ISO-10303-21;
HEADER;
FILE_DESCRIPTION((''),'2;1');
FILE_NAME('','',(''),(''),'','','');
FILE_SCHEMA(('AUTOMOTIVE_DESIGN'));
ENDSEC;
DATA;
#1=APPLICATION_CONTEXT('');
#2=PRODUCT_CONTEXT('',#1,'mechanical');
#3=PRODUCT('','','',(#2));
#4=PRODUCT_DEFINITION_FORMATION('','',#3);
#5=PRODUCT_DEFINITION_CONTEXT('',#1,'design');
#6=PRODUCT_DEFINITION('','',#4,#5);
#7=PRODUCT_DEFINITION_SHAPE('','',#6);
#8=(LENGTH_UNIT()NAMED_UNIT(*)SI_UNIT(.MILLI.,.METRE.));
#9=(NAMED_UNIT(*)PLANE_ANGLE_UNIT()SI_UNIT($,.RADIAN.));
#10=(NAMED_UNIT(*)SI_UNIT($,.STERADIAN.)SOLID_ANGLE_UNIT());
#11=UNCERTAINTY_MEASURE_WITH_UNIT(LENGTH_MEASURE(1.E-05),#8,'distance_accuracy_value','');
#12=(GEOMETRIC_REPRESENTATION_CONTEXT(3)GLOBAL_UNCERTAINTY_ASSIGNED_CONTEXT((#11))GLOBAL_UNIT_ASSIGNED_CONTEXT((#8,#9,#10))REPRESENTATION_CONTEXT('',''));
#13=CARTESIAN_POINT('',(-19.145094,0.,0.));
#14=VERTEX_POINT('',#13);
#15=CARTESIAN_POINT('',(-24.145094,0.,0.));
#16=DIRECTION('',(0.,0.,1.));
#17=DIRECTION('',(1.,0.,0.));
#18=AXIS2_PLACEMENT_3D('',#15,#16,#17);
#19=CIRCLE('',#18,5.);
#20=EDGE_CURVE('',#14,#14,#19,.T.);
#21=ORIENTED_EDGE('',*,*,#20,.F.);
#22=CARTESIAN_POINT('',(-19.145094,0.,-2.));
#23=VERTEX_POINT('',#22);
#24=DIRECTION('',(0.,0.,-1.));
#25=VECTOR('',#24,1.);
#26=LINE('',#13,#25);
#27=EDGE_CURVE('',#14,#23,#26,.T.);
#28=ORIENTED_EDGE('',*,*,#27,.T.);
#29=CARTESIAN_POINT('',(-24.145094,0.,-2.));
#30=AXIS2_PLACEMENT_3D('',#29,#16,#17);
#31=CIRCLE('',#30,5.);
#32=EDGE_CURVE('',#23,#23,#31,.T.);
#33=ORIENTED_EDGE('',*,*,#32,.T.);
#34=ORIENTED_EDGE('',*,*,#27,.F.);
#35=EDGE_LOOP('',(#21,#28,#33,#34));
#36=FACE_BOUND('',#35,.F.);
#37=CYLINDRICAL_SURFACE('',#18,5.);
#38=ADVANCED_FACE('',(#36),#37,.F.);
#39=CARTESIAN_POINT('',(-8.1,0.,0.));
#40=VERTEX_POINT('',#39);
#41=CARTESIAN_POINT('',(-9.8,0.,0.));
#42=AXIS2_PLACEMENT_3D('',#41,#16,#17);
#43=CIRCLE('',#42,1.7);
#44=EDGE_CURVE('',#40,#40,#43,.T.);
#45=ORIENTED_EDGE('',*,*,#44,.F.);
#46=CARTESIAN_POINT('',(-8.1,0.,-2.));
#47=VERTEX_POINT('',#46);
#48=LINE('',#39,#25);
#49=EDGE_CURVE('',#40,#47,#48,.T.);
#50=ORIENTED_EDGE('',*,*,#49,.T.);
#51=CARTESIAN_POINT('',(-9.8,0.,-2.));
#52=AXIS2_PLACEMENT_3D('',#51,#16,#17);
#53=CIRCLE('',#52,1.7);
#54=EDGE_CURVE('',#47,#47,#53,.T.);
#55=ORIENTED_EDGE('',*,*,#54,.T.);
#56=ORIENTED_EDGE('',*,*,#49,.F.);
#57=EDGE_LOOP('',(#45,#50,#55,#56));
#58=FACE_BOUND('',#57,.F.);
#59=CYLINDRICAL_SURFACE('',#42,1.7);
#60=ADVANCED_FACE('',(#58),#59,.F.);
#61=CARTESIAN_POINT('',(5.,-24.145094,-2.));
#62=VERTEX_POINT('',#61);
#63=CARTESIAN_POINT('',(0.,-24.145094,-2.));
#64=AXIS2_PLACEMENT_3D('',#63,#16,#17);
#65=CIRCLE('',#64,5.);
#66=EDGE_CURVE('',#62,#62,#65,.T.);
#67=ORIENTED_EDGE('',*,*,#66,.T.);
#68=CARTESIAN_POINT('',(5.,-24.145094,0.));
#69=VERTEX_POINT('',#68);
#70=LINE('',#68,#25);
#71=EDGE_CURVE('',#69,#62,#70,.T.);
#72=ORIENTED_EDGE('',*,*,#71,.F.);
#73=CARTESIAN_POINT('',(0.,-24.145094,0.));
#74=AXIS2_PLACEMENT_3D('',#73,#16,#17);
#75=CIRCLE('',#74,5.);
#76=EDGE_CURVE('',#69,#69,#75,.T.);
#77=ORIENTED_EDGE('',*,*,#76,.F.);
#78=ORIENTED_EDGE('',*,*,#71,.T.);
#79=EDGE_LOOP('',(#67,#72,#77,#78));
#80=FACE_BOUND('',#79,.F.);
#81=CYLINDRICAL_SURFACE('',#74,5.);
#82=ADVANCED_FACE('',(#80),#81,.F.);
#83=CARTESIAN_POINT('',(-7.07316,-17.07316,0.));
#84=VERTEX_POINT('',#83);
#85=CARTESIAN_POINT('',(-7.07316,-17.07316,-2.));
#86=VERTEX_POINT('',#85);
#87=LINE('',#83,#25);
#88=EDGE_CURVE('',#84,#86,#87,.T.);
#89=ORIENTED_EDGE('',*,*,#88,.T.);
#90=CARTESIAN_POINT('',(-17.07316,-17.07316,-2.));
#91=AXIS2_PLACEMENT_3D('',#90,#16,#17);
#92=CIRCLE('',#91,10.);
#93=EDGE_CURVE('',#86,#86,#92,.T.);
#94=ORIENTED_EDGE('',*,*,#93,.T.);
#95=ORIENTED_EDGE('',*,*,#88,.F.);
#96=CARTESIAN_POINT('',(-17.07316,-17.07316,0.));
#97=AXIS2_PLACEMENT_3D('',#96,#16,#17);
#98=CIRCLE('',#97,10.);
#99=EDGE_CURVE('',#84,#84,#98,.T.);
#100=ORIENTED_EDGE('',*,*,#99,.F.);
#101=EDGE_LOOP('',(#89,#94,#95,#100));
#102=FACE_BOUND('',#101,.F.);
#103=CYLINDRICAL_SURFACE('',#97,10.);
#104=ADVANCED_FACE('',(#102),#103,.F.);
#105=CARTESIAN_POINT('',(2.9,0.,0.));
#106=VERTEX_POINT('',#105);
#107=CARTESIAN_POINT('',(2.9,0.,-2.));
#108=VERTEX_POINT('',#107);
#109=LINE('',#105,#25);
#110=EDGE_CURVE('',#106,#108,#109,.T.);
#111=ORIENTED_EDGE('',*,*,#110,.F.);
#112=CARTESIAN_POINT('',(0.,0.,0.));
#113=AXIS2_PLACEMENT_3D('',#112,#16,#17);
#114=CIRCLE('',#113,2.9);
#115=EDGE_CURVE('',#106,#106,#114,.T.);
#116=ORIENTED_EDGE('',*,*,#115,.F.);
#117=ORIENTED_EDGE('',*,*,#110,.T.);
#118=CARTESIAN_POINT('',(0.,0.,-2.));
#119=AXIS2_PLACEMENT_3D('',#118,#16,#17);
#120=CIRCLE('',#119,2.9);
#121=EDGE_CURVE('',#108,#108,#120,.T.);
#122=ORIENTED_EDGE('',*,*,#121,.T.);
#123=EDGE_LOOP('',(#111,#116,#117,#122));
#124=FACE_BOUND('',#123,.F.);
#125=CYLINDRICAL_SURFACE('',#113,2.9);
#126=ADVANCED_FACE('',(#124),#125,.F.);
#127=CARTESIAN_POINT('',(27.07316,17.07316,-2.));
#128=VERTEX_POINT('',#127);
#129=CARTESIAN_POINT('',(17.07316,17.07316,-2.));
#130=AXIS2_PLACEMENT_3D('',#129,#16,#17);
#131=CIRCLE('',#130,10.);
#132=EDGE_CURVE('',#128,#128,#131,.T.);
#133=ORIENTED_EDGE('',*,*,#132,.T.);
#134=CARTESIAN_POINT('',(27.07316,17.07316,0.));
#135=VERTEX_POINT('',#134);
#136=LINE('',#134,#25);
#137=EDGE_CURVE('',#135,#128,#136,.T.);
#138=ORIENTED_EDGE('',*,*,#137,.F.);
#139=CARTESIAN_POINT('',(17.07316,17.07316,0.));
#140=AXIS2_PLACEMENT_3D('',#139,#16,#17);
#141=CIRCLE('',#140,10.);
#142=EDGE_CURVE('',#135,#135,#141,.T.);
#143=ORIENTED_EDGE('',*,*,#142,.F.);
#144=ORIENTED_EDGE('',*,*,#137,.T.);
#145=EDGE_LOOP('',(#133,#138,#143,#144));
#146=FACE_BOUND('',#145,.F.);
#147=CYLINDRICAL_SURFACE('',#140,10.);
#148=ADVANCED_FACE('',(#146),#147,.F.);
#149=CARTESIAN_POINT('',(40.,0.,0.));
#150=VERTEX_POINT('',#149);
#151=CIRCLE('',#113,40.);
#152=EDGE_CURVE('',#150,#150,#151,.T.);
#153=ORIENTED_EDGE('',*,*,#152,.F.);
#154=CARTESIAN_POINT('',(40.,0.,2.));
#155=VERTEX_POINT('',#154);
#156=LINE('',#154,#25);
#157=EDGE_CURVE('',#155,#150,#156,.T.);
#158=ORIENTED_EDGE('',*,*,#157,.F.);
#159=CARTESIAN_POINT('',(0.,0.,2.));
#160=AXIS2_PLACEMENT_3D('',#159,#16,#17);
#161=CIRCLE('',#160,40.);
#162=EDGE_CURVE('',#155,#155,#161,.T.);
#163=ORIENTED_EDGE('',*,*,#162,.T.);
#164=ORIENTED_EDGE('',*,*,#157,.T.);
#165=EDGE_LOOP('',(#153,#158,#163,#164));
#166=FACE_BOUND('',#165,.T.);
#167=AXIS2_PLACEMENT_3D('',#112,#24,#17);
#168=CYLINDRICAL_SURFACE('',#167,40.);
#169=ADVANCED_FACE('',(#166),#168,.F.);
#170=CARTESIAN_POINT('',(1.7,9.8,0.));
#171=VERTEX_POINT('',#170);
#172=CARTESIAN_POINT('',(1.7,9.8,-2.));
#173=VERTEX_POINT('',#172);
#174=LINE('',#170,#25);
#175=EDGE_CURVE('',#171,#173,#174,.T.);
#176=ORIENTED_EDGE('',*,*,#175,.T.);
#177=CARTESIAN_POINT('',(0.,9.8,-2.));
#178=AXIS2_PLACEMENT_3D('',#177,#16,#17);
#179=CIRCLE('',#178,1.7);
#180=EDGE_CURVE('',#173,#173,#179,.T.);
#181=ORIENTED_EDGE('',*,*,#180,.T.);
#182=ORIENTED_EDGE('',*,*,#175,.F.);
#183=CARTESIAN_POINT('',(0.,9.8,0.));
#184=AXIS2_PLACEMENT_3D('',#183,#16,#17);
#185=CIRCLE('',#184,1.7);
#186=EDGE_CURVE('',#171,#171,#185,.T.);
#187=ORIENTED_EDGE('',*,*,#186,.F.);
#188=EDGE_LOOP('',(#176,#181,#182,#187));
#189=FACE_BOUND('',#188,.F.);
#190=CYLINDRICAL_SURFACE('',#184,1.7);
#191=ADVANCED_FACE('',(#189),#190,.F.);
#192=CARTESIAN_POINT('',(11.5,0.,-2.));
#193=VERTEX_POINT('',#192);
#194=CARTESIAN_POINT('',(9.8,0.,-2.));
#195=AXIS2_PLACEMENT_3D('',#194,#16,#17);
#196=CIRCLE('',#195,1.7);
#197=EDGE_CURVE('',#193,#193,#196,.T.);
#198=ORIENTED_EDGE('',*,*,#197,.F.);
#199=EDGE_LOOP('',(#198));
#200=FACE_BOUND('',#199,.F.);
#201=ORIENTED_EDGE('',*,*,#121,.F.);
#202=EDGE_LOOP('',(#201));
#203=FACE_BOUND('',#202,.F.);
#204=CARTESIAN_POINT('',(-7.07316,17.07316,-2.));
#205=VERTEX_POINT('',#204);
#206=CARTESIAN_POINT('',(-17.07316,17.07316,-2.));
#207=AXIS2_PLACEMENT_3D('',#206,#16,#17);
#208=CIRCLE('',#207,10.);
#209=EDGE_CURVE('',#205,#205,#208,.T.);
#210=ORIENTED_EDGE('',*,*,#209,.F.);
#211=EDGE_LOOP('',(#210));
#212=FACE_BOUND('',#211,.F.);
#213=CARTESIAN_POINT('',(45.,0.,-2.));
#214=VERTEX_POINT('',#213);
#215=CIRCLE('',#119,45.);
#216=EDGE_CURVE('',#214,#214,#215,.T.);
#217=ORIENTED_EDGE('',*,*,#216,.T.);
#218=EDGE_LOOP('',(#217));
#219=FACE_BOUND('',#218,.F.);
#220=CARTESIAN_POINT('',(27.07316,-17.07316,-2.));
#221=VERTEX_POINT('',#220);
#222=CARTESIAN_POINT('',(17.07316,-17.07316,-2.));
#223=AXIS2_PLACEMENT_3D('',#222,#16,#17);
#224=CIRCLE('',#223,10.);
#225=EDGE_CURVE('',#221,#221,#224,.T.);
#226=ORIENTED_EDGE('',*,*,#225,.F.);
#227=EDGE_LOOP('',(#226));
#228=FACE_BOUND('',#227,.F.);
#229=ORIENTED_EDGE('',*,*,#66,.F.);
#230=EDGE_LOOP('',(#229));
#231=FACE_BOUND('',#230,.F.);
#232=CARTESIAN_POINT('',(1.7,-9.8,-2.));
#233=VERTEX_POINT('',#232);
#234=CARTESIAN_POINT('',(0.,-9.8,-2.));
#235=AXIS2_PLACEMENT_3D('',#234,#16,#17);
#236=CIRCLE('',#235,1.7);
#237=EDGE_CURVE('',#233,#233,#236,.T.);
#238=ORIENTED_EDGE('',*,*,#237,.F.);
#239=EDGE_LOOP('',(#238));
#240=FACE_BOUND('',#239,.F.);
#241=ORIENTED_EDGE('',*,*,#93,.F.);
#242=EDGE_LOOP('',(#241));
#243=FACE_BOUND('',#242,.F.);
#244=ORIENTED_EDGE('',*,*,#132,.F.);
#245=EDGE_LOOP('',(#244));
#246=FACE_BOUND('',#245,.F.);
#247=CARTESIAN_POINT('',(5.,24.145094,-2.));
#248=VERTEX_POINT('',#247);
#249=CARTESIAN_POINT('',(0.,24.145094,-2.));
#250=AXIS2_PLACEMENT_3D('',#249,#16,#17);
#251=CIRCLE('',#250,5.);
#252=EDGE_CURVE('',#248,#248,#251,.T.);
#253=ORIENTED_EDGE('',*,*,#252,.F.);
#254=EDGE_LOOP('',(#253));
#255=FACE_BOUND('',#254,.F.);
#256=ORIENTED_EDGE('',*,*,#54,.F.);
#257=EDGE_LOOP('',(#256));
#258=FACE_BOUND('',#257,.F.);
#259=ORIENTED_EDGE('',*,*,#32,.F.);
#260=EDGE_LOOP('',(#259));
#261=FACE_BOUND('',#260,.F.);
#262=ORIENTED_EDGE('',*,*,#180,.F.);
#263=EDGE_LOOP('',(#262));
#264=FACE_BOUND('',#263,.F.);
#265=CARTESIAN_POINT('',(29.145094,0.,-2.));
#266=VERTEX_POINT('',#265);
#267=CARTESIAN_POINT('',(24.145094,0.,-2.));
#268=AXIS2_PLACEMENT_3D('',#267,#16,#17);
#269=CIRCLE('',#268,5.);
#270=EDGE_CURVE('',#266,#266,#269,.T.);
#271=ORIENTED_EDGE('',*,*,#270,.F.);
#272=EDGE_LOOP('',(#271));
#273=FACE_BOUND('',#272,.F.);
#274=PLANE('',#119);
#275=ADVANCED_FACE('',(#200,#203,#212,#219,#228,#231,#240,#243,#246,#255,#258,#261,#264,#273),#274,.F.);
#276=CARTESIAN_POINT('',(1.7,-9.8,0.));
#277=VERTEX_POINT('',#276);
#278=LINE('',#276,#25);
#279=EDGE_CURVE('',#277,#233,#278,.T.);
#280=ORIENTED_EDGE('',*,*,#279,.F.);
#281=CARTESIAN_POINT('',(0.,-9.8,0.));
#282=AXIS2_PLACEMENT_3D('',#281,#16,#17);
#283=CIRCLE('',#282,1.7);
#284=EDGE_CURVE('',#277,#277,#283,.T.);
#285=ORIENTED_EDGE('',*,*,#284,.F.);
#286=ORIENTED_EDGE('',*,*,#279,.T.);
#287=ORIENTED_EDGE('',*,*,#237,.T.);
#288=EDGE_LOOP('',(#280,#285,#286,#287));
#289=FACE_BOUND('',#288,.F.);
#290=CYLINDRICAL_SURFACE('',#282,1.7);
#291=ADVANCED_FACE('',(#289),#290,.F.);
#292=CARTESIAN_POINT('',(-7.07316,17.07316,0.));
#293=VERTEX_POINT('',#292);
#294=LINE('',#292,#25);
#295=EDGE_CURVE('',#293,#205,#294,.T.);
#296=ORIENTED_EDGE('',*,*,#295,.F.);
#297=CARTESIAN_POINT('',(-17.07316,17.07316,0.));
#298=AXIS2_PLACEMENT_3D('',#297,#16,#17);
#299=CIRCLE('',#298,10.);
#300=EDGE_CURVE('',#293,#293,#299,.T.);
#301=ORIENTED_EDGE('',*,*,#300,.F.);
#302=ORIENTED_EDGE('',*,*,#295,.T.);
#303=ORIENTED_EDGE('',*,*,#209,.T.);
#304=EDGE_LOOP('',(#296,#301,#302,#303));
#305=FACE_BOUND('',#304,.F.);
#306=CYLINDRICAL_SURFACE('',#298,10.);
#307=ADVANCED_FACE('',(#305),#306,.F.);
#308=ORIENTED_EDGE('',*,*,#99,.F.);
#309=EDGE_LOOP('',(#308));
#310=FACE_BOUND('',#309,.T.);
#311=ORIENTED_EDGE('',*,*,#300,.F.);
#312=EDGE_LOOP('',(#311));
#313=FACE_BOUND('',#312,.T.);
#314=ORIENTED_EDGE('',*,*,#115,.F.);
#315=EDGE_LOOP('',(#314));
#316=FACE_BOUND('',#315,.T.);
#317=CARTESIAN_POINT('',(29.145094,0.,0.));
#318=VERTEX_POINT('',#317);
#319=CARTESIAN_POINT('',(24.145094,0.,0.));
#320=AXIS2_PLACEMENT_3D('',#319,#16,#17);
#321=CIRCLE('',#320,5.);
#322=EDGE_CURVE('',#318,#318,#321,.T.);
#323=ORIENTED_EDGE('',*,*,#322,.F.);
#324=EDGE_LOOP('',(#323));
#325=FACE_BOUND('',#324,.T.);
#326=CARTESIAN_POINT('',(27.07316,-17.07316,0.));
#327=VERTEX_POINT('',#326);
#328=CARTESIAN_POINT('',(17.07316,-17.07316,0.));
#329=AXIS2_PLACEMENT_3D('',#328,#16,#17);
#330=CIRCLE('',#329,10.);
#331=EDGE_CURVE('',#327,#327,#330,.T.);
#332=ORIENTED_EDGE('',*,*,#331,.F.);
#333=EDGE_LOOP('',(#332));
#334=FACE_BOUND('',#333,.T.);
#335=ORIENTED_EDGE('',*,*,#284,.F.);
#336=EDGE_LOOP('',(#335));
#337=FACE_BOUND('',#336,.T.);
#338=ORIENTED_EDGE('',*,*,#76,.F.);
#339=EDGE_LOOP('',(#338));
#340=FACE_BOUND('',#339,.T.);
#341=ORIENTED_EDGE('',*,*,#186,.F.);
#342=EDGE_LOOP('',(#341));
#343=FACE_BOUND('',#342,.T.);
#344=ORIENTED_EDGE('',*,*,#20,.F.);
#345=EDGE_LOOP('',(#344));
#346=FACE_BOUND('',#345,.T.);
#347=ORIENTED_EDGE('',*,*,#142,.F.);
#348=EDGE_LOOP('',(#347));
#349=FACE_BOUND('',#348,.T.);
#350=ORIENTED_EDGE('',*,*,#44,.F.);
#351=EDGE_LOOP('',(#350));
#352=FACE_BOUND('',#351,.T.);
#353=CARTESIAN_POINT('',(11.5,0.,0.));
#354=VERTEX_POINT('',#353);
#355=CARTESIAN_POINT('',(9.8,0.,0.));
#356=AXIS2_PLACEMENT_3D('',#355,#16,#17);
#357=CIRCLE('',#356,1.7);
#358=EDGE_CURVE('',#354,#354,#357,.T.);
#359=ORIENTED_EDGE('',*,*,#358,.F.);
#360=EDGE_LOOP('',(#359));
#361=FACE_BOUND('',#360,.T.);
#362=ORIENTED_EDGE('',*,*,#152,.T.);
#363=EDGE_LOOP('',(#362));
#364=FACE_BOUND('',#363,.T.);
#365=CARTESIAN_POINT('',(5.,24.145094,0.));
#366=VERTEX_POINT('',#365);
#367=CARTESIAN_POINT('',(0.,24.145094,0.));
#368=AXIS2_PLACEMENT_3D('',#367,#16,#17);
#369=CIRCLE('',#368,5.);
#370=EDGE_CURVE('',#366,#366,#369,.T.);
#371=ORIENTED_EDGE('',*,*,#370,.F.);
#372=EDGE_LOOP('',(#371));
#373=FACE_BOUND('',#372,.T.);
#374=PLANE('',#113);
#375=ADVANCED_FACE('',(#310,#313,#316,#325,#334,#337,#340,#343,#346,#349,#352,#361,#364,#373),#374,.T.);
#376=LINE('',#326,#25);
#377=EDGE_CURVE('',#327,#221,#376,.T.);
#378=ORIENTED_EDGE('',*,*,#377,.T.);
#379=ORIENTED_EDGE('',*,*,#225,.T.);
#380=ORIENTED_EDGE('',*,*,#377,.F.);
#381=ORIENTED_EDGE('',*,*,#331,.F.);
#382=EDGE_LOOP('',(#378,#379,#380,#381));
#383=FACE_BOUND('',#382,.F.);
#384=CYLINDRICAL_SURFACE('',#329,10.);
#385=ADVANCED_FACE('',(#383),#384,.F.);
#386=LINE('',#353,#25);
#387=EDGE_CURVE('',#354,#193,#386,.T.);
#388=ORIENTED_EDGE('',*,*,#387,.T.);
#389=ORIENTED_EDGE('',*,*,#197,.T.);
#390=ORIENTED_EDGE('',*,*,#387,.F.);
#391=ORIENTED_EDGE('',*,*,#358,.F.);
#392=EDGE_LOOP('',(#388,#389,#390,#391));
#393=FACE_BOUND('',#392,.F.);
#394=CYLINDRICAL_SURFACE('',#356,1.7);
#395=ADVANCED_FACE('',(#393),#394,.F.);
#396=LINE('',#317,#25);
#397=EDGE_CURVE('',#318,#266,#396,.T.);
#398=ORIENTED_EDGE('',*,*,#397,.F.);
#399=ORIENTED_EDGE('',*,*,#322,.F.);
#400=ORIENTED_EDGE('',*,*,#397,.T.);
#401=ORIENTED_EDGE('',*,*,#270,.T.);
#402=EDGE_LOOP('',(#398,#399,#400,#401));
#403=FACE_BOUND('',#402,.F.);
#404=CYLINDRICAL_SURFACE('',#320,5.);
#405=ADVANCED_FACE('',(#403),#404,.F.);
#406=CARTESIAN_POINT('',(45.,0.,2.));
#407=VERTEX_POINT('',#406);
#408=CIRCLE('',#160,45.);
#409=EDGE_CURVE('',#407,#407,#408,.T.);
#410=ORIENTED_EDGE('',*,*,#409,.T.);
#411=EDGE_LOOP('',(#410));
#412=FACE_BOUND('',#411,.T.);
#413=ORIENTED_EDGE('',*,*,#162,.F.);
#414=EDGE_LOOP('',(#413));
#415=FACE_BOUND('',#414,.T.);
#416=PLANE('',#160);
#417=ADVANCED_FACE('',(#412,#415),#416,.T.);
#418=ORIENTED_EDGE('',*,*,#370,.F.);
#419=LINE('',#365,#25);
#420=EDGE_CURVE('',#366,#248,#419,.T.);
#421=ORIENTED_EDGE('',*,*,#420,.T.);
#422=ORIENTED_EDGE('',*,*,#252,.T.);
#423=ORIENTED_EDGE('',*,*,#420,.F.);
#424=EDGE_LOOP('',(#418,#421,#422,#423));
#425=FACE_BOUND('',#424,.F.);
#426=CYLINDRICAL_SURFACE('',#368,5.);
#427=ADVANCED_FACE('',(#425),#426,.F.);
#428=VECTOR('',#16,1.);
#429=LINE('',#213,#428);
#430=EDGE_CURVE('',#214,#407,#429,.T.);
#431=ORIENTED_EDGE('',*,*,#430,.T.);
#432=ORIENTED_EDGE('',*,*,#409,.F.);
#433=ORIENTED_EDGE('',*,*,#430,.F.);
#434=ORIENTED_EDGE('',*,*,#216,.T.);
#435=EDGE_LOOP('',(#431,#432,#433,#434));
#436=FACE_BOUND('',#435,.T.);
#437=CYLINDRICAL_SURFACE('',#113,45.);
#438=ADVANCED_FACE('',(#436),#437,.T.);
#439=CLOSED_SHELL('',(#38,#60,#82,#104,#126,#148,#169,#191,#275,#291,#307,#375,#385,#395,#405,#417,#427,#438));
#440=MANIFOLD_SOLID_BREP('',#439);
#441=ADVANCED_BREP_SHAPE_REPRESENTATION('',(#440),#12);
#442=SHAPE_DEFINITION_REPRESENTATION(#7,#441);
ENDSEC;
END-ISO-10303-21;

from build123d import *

# Parameters (mm, degrees)
F0_R     = 45
F0_R_2   = 40
F1_DEPTH = 2
F0_R_3   = 10
F0_R_4   = 5
F0_R_5   = 1.7
F0_R_6   = 4.4
F0_R_7   = 2.9
F2_DEPTH = 2


with BuildPart() as f1:
    # F0 (on Top) → F1 (new body, symmetric)
    with BuildSketch(Plane.XY):
        Circle(F0_R)
        Circle(F0_R_2, mode=Mode.SUBTRACT)
    extrude(amount=F1_DEPTH, both=True)

    # F0 (on Top) → F2 (join, through all)
    with BuildSketch(Plane.XY):
        Circle(F0_R_2)
        with Locations((-17.07316, -17.07316)):
            Circle(F0_R_3, mode=Mode.SUBTRACT)
        with Locations((0, -24.145094)):
            Circle(F0_R_4, mode=Mode.SUBTRACT)
        with Locations((17.07316, -17.07316)):
            Circle(F0_R_3, mode=Mode.SUBTRACT)
        with Locations((0, -9.8)):
            Circle(F0_R_5, mode=Mode.SUBTRACT)
        with Locations((-24.145094, 0)):
            Circle(F0_R_4, mode=Mode.SUBTRACT)
        with Locations((-9.8, 0)):
            Circle(F0_R_5, mode=Mode.SUBTRACT)
        with Locations((-17.07316, 17.07316)):
            Circle(F0_R_3, mode=Mode.SUBTRACT)
        Circle(F0_R_6, mode=Mode.SUBTRACT)
        with Locations((9.8, 0)):
            Circle(F0_R_5, mode=Mode.SUBTRACT)
        with Locations((0, 9.8)):
            Circle(F0_R_5, mode=Mode.SUBTRACT)
        with Locations((17.07316, 17.07316)):
            Circle(F0_R_3, mode=Mode.SUBTRACT)
        with Locations((24.145094, 0)):
            Circle(F0_R_4, mode=Mode.SUBTRACT)
        with Locations((0, 24.145094)):
            Circle(F0_R_4, mode=Mode.SUBTRACT)
        Circle(F0_R_6)
        Circle(F0_R_7, mode=Mode.SUBTRACT)
    extrude(amount=-F2_DEPTH)


solid = f1.part
